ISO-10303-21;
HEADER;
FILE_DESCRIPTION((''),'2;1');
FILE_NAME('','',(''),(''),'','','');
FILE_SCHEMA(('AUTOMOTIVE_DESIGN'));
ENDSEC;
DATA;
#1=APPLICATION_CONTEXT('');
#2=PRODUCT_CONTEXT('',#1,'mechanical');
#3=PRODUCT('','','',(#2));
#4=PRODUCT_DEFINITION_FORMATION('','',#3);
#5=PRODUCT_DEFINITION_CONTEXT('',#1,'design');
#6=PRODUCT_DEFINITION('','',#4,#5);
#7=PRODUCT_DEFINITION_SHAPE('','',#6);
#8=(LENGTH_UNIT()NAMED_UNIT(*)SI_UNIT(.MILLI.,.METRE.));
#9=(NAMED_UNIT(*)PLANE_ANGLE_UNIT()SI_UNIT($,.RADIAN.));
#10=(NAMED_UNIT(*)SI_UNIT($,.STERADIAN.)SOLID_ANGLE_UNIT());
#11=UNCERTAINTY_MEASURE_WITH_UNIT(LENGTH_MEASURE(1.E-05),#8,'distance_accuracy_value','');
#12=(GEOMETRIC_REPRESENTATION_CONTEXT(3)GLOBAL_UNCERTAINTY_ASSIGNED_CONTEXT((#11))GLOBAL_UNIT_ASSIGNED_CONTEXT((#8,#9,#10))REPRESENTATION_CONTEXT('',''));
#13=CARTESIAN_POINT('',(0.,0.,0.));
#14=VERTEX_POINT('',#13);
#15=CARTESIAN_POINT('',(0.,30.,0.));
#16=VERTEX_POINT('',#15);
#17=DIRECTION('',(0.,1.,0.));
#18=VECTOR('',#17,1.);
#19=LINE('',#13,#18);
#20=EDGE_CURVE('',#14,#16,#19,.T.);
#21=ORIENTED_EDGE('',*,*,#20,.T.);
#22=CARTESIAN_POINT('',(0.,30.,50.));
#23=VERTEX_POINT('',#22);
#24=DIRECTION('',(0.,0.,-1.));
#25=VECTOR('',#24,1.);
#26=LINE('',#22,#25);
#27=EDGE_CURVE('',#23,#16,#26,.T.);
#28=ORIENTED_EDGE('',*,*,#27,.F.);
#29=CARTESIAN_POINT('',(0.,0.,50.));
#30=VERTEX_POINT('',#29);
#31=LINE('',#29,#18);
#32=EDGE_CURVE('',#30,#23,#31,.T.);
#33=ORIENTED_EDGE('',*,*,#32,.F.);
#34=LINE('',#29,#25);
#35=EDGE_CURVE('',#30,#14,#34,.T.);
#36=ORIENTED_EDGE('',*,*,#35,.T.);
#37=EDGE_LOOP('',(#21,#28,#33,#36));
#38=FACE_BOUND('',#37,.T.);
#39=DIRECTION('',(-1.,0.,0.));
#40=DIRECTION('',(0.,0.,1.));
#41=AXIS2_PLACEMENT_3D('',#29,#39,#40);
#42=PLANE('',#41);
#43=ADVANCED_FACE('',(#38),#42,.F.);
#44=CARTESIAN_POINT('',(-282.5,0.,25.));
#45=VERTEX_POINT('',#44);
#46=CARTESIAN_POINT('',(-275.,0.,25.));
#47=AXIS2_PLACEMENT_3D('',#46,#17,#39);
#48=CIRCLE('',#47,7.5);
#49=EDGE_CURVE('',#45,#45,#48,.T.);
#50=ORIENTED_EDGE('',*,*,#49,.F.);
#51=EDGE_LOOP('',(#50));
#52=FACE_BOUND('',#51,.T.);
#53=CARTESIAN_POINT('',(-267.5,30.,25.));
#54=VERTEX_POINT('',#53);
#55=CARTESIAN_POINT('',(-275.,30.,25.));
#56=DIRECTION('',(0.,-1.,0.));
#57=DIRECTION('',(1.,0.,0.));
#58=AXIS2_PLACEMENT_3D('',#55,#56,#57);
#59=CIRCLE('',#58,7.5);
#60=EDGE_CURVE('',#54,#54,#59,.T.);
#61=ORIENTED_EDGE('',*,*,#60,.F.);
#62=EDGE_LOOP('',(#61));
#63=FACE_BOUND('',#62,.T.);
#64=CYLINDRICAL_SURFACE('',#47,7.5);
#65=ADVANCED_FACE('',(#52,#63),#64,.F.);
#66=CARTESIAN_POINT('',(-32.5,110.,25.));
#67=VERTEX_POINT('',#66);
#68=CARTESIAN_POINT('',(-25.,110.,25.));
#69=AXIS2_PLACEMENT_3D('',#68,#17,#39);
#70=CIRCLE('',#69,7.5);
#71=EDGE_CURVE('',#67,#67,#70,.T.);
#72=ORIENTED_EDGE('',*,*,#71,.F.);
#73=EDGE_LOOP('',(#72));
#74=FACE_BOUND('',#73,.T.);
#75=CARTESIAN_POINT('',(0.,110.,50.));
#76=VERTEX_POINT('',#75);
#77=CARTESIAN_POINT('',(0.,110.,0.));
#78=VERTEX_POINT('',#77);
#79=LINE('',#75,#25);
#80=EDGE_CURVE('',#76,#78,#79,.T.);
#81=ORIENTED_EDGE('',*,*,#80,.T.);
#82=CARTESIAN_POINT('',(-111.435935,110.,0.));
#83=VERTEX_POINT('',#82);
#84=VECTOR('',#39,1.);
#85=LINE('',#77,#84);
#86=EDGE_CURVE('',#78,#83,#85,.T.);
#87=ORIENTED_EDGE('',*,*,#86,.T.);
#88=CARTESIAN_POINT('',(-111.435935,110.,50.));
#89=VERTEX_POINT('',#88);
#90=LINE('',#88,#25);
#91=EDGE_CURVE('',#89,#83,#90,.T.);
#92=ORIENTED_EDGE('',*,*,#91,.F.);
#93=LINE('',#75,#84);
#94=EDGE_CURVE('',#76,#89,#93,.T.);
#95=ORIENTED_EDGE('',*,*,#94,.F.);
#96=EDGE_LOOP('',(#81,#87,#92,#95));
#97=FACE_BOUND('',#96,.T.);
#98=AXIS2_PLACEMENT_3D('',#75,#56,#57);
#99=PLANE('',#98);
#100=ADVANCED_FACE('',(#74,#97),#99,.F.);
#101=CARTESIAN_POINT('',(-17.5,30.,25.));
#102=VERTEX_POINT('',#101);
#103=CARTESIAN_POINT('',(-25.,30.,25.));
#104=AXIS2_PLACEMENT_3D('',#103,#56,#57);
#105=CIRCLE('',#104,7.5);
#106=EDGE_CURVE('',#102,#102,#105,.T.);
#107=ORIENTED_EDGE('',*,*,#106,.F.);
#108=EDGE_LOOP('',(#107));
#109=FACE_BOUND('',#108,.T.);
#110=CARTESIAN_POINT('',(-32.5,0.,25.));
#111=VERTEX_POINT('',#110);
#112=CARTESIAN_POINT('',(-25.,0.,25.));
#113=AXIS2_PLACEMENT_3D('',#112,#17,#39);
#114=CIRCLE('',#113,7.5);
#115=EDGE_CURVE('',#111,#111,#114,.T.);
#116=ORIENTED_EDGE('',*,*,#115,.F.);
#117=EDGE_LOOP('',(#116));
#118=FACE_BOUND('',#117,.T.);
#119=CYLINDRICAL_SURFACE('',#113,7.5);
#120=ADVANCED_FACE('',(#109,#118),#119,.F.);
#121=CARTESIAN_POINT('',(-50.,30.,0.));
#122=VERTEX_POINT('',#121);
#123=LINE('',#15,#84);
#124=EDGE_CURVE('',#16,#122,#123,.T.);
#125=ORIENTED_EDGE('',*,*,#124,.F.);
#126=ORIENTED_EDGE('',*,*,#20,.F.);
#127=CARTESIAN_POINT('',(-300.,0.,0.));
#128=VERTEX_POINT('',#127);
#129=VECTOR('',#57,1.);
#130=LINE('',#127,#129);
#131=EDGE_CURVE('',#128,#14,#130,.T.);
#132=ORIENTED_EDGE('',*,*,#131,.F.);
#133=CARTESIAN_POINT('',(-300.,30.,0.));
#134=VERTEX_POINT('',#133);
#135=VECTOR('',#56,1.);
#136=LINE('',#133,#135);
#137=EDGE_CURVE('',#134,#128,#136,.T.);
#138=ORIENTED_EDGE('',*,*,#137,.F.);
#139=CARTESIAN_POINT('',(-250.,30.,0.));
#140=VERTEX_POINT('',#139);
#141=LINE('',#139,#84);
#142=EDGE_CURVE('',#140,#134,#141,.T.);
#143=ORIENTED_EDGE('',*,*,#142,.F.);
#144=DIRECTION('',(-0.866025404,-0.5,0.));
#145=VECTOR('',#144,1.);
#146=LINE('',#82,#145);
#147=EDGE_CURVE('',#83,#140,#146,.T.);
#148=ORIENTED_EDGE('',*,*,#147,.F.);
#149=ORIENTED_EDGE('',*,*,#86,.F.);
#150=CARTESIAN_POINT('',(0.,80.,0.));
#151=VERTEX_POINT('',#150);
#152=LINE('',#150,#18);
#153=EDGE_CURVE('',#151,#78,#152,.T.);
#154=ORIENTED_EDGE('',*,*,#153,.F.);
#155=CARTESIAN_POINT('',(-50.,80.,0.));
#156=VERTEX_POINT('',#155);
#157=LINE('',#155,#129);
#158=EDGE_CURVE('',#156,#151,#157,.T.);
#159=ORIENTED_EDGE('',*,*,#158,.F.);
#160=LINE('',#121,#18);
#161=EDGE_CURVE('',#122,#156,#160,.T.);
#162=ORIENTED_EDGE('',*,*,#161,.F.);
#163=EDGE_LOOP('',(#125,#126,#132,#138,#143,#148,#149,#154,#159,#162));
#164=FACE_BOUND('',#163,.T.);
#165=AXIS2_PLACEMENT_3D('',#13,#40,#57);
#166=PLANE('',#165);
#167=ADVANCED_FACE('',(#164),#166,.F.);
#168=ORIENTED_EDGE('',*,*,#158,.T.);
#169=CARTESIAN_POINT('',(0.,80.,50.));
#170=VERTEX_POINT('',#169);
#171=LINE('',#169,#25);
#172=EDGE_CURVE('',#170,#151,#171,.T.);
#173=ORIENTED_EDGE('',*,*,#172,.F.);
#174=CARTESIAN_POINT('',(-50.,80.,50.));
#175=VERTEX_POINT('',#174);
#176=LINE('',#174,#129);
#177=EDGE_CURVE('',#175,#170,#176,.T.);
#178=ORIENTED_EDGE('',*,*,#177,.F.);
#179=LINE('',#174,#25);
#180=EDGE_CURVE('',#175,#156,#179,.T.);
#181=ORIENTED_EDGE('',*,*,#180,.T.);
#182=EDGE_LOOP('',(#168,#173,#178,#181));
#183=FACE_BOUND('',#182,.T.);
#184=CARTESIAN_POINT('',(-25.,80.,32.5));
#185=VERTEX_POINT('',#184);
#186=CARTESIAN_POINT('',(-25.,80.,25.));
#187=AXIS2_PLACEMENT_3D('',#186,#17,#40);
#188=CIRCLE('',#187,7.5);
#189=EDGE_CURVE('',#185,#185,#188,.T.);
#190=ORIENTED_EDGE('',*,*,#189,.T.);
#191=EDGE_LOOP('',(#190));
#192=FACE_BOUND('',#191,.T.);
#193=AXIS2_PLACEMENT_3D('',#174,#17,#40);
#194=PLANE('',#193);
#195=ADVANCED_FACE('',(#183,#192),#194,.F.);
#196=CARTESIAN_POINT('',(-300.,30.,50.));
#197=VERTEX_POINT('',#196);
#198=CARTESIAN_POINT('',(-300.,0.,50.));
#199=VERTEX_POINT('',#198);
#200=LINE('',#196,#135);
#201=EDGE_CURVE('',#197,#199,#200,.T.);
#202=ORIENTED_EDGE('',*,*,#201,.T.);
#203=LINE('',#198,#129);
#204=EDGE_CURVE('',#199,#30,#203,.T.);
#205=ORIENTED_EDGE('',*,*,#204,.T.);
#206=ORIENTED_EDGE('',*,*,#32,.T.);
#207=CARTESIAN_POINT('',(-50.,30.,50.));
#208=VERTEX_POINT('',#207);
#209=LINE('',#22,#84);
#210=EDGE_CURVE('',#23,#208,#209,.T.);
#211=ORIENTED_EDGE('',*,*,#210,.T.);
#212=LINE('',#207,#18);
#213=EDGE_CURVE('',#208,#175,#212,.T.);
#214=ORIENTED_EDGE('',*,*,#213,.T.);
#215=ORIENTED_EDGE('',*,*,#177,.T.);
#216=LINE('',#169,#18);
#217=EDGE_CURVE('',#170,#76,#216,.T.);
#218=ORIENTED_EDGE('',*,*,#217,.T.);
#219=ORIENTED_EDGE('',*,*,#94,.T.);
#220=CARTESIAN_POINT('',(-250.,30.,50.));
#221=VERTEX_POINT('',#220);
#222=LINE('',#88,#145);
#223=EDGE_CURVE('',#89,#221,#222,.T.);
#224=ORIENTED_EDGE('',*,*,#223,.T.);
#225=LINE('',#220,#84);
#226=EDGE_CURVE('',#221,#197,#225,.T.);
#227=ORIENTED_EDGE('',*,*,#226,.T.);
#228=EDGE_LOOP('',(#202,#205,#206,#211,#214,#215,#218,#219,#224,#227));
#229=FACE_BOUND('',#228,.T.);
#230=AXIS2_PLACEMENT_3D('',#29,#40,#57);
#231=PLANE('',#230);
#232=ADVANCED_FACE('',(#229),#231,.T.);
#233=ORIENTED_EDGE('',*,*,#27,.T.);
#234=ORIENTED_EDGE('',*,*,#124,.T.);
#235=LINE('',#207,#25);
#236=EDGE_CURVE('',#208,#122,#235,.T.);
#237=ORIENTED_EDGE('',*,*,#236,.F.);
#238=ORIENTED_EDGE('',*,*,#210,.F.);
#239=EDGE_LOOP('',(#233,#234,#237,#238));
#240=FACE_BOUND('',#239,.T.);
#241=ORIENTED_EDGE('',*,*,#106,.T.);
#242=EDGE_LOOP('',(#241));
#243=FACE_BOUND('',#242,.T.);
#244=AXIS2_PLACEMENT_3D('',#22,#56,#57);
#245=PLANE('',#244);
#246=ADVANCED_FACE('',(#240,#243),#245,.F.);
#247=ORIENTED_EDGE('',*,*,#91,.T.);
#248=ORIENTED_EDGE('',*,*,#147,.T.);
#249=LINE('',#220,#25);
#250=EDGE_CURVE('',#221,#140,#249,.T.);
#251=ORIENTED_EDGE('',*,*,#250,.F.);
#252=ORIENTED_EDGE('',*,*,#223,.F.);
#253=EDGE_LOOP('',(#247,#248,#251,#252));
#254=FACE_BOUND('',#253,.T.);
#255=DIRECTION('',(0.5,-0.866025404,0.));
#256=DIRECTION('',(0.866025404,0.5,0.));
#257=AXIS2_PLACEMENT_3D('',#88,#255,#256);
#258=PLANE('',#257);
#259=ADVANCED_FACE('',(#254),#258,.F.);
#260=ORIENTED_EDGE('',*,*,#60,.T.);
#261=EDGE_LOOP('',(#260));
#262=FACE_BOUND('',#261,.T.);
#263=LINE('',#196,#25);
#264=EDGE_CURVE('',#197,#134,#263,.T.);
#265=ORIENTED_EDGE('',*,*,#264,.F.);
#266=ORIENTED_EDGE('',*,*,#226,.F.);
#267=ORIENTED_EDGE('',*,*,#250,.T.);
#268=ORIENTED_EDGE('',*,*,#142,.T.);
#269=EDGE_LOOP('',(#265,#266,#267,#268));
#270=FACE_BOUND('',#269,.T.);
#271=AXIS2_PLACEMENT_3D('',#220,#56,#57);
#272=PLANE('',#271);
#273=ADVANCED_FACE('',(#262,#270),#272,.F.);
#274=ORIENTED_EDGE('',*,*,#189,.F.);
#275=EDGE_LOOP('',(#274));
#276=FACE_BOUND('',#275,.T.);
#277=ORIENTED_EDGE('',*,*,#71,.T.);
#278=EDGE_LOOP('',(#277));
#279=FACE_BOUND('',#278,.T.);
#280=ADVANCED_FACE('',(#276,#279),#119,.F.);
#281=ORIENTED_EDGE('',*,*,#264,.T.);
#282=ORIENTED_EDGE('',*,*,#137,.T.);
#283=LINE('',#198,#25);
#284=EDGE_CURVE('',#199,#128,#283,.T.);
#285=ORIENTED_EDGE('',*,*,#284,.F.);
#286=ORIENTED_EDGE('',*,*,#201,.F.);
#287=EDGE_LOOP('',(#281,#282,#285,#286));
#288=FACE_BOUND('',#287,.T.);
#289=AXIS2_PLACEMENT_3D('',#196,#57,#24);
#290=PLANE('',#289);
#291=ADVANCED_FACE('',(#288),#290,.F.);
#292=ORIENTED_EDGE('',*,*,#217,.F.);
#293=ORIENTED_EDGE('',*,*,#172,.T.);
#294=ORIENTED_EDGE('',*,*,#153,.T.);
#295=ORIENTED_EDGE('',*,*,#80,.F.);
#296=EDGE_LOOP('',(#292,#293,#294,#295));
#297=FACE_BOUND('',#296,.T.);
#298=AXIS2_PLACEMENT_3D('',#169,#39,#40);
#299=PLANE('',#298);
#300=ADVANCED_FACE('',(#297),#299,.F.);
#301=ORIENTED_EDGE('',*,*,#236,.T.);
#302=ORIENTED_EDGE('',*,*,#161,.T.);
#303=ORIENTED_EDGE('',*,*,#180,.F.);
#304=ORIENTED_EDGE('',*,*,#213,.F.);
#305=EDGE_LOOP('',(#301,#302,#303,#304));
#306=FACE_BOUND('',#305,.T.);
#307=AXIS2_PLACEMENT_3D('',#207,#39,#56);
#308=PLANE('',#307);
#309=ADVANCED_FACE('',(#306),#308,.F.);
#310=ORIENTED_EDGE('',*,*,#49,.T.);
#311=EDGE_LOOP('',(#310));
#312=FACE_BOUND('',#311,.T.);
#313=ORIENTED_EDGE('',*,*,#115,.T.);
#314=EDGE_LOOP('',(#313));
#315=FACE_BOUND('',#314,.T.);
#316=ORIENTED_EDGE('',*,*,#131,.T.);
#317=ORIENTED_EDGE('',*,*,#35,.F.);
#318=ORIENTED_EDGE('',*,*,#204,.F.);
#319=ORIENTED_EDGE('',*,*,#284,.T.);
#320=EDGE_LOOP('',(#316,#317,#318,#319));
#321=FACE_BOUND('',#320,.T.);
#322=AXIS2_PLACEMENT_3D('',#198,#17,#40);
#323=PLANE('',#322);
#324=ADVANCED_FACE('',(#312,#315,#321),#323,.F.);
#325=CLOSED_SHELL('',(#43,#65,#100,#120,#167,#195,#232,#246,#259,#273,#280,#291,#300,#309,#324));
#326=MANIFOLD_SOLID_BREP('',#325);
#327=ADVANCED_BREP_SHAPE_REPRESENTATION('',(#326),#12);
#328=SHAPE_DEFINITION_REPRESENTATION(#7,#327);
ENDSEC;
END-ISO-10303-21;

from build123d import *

# Parameters (mm, degrees)
BOSS_EXTRUDE1_DEPTH     = 50
SKETCH2_R               = 7.5
CUT_EXTRUDE1_DEPTH      = 81
CUT_EXTRUDE1_DEPTH_BACK = 31


with BuildPart() as part:
    # Sketch1 → Boss-Extrude1 (new body)
    with BuildSketch(Plane.XY):
        Polygon((-300, 0), (0, 0), (0, 30), (-50, 30), (-50, 80), (0, 80), (0, 110), (-111.435935394, 110), (-250, 30), (-300, 30), align=None)
    extrude(amount=BOSS_EXTRUDE1_DEPTH)

    # Sketch2 → Cut-Extrude1 (cut, two sides)
    with BuildSketch(Plane(origin=(0, 30, 0), x_dir=(1, 0, 0), z_dir=(0, 1, 0))) as cut_extrude1_sk:
        with Locations((-275, -25)):
            Circle(SKETCH2_R)
        with Locations((-25, -25)):
            Circle(SKETCH2_R)
    extrude(amount=CUT_EXTRUDE1_DEPTH, mode=Mode.SUBTRACT)
    extrude(cut_extrude1_sk.sketch, amount=-CUT_EXTRUDE1_DEPTH_BACK, mode=Mode.SUBTRACT)


solid = part.part
